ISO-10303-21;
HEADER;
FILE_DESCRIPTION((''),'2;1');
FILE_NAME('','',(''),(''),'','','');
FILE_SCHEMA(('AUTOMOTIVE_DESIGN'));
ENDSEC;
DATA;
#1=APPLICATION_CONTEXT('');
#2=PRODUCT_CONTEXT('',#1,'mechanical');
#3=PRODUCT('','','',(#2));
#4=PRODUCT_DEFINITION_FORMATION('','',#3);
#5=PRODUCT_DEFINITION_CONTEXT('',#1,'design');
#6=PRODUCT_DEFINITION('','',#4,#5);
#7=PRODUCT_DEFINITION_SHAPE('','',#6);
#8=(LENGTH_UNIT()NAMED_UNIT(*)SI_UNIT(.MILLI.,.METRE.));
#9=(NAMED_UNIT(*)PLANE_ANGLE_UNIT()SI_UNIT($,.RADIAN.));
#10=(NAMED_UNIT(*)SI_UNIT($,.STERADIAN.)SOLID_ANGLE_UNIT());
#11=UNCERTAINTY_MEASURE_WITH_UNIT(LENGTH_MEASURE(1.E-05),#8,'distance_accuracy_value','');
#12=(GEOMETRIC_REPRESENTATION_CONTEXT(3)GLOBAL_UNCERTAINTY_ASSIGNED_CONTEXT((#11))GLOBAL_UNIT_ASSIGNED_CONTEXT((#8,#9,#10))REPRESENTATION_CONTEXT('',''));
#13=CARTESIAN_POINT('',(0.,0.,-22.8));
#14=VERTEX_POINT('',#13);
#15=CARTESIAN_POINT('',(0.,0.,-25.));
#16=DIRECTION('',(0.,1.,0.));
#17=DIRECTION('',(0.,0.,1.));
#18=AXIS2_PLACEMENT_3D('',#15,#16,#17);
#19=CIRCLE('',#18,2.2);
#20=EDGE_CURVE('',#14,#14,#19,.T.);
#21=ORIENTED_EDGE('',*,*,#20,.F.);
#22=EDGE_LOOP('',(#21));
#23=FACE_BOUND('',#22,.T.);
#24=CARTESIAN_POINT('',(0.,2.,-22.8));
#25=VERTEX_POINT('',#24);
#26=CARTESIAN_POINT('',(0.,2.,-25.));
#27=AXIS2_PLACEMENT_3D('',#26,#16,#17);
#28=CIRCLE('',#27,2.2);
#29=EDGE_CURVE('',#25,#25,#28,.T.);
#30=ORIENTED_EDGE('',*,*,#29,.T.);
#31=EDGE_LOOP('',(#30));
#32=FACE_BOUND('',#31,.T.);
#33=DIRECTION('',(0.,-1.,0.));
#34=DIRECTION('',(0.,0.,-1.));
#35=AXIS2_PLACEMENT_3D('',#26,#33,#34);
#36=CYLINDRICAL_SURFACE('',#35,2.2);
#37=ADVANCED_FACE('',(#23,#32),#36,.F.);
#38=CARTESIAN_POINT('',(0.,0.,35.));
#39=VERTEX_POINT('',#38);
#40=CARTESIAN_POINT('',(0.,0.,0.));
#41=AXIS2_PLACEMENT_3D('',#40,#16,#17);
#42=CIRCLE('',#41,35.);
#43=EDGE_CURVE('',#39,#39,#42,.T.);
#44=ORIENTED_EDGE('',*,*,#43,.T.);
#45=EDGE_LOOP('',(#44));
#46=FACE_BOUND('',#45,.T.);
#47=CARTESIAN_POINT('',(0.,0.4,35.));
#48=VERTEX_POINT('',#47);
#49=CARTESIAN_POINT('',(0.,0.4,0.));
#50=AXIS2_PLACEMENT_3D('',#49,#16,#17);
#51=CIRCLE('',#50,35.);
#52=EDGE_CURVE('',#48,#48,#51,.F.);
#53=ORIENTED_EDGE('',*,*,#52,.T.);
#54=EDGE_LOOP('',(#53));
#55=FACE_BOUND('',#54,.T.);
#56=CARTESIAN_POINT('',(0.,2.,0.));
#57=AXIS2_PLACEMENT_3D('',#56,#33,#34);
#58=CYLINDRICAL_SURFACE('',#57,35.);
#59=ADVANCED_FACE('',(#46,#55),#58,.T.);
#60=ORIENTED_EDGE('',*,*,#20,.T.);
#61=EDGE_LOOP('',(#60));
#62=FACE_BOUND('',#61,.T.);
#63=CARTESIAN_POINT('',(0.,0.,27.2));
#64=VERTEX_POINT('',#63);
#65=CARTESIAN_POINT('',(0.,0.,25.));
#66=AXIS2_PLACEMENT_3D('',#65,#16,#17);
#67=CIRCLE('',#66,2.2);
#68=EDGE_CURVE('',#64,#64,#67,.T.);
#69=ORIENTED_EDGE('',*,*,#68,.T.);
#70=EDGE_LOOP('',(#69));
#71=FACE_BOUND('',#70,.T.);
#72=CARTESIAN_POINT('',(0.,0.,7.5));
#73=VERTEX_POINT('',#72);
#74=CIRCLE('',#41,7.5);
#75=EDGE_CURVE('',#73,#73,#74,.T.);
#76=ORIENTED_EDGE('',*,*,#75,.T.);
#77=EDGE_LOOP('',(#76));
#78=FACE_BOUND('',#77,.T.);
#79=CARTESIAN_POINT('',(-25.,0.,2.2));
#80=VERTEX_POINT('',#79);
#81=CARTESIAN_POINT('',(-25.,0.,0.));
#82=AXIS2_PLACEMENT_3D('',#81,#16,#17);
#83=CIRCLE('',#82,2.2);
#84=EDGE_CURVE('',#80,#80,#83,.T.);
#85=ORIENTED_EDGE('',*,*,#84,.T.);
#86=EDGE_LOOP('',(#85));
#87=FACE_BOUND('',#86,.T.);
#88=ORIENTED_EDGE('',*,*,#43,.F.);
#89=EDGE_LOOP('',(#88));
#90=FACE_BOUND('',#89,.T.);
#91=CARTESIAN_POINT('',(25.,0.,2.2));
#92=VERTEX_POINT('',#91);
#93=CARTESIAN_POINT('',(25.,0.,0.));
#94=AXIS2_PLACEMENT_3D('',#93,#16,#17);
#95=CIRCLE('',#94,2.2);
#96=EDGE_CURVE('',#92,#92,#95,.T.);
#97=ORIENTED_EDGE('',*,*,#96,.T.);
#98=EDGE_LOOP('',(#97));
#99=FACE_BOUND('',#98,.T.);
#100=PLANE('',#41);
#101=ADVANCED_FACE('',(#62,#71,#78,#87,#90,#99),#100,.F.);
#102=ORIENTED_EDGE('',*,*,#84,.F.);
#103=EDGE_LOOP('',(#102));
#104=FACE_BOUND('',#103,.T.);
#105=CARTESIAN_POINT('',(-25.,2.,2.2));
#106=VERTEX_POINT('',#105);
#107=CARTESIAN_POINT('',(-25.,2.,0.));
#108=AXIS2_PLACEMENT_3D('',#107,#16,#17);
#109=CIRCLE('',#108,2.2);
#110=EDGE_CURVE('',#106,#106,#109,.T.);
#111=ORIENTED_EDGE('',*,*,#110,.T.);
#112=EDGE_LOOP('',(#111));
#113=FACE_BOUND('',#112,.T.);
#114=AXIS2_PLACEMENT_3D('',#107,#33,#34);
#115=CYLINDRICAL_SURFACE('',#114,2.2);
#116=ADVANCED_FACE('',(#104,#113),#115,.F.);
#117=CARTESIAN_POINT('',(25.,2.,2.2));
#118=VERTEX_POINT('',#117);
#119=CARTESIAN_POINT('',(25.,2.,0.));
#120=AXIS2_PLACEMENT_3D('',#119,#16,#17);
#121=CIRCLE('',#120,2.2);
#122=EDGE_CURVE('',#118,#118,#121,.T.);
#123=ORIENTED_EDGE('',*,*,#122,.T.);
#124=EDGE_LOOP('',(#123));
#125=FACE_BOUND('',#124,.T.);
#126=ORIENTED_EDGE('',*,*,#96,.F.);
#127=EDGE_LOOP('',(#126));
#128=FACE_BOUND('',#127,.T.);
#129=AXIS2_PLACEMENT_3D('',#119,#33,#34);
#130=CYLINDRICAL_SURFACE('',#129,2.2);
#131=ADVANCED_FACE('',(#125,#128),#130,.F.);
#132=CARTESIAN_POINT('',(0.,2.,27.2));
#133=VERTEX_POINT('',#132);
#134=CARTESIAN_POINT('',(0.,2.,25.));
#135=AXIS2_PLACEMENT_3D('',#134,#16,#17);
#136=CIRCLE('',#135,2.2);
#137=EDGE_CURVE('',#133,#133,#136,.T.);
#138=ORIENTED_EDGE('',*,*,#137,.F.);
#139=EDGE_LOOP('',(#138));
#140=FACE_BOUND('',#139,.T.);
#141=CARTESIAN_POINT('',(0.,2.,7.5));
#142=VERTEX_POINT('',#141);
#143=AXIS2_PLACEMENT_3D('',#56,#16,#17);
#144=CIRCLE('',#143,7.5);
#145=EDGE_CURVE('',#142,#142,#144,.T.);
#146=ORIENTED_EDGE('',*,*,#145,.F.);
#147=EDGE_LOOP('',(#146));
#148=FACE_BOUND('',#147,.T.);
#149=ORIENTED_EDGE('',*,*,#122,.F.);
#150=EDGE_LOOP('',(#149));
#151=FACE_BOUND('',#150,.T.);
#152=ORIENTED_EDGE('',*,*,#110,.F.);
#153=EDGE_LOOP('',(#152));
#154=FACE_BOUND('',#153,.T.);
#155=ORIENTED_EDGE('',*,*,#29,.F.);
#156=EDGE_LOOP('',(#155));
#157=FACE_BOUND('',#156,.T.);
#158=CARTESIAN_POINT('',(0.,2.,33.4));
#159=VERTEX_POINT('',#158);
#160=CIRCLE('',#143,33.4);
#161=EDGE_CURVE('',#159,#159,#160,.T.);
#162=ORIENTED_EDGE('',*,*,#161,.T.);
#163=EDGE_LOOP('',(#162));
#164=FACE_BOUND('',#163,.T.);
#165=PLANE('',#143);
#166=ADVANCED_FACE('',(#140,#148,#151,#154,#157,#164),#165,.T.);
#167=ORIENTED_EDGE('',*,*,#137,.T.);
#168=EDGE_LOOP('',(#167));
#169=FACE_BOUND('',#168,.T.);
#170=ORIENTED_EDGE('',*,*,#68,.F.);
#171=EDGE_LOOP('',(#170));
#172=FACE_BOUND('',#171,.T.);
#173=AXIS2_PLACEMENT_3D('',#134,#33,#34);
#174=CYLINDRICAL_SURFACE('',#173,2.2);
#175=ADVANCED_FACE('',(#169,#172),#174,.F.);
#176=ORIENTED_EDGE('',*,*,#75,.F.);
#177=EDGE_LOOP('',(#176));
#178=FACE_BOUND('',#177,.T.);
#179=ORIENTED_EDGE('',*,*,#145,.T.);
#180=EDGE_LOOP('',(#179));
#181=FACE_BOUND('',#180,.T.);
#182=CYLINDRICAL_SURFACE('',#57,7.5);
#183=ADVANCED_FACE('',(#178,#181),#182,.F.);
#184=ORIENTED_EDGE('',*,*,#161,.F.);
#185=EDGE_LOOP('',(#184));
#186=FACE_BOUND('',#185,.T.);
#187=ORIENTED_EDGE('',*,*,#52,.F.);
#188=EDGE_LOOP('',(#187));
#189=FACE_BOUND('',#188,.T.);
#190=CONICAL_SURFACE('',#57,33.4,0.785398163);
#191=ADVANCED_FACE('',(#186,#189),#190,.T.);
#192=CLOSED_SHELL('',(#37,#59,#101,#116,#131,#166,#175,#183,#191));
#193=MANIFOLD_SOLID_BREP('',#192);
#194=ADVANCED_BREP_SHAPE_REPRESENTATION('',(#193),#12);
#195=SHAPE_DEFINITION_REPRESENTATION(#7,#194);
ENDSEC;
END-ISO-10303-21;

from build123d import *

# Parameters (mm, degrees)
SKETCH1_R           = 35
SKETCH1_R_2         = 2.2
SKETCH1_R_3         = 7.5
BOSS_EXTRUDE1_DEPTH = 2
CHAMFER1_SIZE       = 1.6


with BuildPart() as part:
    # Sketch1 → Boss-Extrude1 (new body)
    with BuildSketch(Plane(origin=(0, 0, 0), x_dir=(1, 0, 0), z_dir=(0, 1, 0))):
        with Locations(Location((0, 0, 0), (0, 0, 270))):
            Circle(SKETCH1_R)
        with Locations(Location((0, 25, 0), (0, 0, 270))):
            Circle(SKETCH1_R_2, mode=Mode.SUBTRACT)
        with Locations(Location((25, 0, 0), (0, 0, 270))):
            Circle(SKETCH1_R_2, mode=Mode.SUBTRACT)
        with Locations(Location((0, -25, 0), (0, 0, 270))):
            Circle(SKETCH1_R_2, mode=Mode.SUBTRACT)
        with Locations(Location((-25, 0, 0), (0, 0, 270))):
            Circle(SKETCH1_R_2, mode=Mode.SUBTRACT)
        with Locations(Location((0, 0, 0), (0, 0, 270))):
            Circle(SKETCH1_R_3, mode=Mode.SUBTRACT)
    extrude(amount=BOSS_EXTRUDE1_DEPTH)

    # Chamfer1
    chamfer1_edges = [part.edges().sort_by_distance(p)[0] for p in [
        (0, 2, -35),
    ]]
    chamfer(chamfer1_edges, length=CHAMFER1_SIZE)


solid = part.part
